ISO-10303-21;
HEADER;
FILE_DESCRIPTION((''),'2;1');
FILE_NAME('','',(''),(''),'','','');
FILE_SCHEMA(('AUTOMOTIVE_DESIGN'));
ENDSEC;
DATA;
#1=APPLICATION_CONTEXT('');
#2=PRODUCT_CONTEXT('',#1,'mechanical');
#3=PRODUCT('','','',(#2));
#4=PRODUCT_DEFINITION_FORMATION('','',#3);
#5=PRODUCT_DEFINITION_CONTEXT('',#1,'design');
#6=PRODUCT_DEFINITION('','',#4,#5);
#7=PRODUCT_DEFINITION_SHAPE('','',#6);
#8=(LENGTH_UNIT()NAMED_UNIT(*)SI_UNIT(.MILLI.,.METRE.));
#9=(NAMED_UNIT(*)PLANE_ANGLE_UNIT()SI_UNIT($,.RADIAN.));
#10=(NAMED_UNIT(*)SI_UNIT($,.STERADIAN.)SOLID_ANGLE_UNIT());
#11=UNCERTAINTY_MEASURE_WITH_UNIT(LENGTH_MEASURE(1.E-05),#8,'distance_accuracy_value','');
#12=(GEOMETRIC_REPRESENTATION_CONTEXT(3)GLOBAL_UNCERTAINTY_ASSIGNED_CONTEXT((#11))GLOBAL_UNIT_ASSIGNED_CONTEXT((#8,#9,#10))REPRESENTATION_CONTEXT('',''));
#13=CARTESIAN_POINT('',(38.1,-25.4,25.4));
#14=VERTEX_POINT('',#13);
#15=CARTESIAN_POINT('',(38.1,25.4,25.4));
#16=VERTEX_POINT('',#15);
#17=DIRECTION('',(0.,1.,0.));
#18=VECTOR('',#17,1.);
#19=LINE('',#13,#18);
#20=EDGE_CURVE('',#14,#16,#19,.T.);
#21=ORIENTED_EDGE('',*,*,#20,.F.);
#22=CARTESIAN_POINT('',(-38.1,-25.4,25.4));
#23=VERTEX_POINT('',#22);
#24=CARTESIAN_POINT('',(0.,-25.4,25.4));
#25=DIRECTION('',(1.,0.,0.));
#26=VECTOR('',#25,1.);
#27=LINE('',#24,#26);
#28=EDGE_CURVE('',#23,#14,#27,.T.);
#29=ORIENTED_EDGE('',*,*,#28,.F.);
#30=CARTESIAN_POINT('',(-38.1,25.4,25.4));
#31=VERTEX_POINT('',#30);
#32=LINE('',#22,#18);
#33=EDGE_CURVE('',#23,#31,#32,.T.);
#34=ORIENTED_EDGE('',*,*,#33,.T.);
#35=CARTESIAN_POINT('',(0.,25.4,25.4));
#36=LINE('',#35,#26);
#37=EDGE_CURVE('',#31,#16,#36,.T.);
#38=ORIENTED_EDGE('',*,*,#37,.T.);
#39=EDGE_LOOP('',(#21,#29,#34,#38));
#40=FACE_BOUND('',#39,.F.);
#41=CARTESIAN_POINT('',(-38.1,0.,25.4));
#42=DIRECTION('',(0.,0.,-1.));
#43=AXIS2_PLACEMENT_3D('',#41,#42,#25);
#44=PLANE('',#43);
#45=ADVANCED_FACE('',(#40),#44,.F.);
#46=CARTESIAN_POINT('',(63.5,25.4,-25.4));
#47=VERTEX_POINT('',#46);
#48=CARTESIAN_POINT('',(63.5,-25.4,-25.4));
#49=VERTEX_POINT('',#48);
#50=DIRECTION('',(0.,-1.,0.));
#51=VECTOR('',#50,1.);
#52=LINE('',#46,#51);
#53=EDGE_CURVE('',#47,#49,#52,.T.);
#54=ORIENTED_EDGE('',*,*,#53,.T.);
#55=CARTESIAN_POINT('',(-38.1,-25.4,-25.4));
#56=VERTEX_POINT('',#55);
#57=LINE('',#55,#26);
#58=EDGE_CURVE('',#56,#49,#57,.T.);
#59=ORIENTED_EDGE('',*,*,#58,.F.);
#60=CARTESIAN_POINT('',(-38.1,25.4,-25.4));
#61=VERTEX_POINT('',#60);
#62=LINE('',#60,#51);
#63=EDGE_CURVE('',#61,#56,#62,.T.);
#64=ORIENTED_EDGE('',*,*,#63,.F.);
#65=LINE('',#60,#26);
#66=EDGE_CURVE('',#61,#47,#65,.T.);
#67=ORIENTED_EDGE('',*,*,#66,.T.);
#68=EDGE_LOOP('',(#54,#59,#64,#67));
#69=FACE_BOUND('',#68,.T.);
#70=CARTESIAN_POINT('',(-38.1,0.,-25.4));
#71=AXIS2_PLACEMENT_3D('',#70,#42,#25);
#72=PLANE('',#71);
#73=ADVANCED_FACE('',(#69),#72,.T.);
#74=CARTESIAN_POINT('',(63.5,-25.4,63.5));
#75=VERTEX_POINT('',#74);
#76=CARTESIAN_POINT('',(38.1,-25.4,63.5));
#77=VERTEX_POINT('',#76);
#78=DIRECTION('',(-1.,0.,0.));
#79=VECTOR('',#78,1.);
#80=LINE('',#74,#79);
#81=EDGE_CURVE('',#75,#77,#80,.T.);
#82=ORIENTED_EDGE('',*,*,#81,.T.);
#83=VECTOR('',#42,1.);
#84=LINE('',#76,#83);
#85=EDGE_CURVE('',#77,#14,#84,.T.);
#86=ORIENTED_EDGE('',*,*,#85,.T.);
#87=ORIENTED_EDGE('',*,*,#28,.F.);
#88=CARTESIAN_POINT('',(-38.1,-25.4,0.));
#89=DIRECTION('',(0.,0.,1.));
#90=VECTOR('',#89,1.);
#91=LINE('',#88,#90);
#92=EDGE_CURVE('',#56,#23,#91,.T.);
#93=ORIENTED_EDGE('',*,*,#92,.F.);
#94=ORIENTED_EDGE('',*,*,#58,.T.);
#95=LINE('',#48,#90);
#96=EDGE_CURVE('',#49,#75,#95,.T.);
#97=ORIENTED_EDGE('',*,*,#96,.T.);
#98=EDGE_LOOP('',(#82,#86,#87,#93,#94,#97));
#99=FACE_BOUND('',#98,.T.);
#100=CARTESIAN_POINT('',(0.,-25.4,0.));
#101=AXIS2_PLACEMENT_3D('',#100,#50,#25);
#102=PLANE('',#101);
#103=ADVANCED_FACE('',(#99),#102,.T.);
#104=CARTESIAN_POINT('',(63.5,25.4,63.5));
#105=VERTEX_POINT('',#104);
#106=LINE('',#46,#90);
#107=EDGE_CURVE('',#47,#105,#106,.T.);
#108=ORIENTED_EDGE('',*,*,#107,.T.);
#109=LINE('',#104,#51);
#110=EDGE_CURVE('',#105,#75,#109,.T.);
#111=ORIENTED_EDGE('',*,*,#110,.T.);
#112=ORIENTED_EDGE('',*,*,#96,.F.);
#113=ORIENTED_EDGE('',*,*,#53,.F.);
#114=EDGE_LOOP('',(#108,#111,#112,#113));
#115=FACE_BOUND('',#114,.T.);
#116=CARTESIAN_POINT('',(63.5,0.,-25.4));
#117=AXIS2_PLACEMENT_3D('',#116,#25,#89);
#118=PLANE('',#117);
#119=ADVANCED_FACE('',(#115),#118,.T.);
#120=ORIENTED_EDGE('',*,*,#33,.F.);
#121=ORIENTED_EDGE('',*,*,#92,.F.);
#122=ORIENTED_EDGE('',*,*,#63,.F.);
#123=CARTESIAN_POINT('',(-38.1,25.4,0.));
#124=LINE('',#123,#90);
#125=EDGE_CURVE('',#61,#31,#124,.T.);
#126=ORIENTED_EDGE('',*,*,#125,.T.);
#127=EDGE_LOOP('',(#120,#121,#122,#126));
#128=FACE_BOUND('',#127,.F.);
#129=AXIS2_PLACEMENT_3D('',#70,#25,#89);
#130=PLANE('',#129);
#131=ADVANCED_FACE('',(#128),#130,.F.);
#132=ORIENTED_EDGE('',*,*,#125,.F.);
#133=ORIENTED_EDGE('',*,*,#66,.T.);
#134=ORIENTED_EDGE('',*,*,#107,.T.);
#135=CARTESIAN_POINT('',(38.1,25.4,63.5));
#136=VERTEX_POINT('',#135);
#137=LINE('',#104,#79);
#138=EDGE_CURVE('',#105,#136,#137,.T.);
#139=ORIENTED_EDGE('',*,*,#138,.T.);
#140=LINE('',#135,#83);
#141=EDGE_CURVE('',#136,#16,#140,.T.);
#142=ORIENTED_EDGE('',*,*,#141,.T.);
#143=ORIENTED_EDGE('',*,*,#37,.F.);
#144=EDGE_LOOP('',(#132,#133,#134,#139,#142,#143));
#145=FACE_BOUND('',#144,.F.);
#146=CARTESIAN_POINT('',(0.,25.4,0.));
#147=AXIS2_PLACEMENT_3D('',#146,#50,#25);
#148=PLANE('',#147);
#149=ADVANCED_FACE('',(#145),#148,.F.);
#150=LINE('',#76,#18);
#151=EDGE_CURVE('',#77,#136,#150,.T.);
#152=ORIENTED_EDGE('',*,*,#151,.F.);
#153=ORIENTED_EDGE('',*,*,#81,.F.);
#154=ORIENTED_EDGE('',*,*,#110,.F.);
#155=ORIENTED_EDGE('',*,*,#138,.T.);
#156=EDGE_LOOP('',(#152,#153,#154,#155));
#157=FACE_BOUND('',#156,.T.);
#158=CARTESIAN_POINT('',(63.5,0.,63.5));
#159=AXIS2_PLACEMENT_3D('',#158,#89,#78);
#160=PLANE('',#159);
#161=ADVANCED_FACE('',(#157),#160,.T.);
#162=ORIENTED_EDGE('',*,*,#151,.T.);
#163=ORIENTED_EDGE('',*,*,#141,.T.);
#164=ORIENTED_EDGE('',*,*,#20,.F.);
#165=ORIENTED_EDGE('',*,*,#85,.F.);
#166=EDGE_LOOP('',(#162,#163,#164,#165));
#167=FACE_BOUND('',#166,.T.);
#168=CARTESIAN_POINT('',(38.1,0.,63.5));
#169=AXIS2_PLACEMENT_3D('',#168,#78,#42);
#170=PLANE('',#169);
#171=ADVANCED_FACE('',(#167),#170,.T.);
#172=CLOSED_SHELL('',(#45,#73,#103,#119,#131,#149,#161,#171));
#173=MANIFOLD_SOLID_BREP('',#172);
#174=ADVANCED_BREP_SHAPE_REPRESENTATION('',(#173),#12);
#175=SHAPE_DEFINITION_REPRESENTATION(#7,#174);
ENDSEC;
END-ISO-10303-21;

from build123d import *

# Parameters (mm, degrees)
F0_W     = 76.2
F0_H     = 50.8
F1_DEPTH = 25.4


with BuildPart() as f1:
    # F0 (on Front) → F1 (new body, symmetric)
    with BuildSketch(Plane.XZ):
        Rectangle(F0_W, F0_H)
        Polygon((38.1, 63.5), (38.1, 25.4), (38.1, -25.4), (63.5, -25.4), (63.5, 63.5), align=None)
    extrude(amount=F1_DEPTH, both=True)


solid = f1.part
